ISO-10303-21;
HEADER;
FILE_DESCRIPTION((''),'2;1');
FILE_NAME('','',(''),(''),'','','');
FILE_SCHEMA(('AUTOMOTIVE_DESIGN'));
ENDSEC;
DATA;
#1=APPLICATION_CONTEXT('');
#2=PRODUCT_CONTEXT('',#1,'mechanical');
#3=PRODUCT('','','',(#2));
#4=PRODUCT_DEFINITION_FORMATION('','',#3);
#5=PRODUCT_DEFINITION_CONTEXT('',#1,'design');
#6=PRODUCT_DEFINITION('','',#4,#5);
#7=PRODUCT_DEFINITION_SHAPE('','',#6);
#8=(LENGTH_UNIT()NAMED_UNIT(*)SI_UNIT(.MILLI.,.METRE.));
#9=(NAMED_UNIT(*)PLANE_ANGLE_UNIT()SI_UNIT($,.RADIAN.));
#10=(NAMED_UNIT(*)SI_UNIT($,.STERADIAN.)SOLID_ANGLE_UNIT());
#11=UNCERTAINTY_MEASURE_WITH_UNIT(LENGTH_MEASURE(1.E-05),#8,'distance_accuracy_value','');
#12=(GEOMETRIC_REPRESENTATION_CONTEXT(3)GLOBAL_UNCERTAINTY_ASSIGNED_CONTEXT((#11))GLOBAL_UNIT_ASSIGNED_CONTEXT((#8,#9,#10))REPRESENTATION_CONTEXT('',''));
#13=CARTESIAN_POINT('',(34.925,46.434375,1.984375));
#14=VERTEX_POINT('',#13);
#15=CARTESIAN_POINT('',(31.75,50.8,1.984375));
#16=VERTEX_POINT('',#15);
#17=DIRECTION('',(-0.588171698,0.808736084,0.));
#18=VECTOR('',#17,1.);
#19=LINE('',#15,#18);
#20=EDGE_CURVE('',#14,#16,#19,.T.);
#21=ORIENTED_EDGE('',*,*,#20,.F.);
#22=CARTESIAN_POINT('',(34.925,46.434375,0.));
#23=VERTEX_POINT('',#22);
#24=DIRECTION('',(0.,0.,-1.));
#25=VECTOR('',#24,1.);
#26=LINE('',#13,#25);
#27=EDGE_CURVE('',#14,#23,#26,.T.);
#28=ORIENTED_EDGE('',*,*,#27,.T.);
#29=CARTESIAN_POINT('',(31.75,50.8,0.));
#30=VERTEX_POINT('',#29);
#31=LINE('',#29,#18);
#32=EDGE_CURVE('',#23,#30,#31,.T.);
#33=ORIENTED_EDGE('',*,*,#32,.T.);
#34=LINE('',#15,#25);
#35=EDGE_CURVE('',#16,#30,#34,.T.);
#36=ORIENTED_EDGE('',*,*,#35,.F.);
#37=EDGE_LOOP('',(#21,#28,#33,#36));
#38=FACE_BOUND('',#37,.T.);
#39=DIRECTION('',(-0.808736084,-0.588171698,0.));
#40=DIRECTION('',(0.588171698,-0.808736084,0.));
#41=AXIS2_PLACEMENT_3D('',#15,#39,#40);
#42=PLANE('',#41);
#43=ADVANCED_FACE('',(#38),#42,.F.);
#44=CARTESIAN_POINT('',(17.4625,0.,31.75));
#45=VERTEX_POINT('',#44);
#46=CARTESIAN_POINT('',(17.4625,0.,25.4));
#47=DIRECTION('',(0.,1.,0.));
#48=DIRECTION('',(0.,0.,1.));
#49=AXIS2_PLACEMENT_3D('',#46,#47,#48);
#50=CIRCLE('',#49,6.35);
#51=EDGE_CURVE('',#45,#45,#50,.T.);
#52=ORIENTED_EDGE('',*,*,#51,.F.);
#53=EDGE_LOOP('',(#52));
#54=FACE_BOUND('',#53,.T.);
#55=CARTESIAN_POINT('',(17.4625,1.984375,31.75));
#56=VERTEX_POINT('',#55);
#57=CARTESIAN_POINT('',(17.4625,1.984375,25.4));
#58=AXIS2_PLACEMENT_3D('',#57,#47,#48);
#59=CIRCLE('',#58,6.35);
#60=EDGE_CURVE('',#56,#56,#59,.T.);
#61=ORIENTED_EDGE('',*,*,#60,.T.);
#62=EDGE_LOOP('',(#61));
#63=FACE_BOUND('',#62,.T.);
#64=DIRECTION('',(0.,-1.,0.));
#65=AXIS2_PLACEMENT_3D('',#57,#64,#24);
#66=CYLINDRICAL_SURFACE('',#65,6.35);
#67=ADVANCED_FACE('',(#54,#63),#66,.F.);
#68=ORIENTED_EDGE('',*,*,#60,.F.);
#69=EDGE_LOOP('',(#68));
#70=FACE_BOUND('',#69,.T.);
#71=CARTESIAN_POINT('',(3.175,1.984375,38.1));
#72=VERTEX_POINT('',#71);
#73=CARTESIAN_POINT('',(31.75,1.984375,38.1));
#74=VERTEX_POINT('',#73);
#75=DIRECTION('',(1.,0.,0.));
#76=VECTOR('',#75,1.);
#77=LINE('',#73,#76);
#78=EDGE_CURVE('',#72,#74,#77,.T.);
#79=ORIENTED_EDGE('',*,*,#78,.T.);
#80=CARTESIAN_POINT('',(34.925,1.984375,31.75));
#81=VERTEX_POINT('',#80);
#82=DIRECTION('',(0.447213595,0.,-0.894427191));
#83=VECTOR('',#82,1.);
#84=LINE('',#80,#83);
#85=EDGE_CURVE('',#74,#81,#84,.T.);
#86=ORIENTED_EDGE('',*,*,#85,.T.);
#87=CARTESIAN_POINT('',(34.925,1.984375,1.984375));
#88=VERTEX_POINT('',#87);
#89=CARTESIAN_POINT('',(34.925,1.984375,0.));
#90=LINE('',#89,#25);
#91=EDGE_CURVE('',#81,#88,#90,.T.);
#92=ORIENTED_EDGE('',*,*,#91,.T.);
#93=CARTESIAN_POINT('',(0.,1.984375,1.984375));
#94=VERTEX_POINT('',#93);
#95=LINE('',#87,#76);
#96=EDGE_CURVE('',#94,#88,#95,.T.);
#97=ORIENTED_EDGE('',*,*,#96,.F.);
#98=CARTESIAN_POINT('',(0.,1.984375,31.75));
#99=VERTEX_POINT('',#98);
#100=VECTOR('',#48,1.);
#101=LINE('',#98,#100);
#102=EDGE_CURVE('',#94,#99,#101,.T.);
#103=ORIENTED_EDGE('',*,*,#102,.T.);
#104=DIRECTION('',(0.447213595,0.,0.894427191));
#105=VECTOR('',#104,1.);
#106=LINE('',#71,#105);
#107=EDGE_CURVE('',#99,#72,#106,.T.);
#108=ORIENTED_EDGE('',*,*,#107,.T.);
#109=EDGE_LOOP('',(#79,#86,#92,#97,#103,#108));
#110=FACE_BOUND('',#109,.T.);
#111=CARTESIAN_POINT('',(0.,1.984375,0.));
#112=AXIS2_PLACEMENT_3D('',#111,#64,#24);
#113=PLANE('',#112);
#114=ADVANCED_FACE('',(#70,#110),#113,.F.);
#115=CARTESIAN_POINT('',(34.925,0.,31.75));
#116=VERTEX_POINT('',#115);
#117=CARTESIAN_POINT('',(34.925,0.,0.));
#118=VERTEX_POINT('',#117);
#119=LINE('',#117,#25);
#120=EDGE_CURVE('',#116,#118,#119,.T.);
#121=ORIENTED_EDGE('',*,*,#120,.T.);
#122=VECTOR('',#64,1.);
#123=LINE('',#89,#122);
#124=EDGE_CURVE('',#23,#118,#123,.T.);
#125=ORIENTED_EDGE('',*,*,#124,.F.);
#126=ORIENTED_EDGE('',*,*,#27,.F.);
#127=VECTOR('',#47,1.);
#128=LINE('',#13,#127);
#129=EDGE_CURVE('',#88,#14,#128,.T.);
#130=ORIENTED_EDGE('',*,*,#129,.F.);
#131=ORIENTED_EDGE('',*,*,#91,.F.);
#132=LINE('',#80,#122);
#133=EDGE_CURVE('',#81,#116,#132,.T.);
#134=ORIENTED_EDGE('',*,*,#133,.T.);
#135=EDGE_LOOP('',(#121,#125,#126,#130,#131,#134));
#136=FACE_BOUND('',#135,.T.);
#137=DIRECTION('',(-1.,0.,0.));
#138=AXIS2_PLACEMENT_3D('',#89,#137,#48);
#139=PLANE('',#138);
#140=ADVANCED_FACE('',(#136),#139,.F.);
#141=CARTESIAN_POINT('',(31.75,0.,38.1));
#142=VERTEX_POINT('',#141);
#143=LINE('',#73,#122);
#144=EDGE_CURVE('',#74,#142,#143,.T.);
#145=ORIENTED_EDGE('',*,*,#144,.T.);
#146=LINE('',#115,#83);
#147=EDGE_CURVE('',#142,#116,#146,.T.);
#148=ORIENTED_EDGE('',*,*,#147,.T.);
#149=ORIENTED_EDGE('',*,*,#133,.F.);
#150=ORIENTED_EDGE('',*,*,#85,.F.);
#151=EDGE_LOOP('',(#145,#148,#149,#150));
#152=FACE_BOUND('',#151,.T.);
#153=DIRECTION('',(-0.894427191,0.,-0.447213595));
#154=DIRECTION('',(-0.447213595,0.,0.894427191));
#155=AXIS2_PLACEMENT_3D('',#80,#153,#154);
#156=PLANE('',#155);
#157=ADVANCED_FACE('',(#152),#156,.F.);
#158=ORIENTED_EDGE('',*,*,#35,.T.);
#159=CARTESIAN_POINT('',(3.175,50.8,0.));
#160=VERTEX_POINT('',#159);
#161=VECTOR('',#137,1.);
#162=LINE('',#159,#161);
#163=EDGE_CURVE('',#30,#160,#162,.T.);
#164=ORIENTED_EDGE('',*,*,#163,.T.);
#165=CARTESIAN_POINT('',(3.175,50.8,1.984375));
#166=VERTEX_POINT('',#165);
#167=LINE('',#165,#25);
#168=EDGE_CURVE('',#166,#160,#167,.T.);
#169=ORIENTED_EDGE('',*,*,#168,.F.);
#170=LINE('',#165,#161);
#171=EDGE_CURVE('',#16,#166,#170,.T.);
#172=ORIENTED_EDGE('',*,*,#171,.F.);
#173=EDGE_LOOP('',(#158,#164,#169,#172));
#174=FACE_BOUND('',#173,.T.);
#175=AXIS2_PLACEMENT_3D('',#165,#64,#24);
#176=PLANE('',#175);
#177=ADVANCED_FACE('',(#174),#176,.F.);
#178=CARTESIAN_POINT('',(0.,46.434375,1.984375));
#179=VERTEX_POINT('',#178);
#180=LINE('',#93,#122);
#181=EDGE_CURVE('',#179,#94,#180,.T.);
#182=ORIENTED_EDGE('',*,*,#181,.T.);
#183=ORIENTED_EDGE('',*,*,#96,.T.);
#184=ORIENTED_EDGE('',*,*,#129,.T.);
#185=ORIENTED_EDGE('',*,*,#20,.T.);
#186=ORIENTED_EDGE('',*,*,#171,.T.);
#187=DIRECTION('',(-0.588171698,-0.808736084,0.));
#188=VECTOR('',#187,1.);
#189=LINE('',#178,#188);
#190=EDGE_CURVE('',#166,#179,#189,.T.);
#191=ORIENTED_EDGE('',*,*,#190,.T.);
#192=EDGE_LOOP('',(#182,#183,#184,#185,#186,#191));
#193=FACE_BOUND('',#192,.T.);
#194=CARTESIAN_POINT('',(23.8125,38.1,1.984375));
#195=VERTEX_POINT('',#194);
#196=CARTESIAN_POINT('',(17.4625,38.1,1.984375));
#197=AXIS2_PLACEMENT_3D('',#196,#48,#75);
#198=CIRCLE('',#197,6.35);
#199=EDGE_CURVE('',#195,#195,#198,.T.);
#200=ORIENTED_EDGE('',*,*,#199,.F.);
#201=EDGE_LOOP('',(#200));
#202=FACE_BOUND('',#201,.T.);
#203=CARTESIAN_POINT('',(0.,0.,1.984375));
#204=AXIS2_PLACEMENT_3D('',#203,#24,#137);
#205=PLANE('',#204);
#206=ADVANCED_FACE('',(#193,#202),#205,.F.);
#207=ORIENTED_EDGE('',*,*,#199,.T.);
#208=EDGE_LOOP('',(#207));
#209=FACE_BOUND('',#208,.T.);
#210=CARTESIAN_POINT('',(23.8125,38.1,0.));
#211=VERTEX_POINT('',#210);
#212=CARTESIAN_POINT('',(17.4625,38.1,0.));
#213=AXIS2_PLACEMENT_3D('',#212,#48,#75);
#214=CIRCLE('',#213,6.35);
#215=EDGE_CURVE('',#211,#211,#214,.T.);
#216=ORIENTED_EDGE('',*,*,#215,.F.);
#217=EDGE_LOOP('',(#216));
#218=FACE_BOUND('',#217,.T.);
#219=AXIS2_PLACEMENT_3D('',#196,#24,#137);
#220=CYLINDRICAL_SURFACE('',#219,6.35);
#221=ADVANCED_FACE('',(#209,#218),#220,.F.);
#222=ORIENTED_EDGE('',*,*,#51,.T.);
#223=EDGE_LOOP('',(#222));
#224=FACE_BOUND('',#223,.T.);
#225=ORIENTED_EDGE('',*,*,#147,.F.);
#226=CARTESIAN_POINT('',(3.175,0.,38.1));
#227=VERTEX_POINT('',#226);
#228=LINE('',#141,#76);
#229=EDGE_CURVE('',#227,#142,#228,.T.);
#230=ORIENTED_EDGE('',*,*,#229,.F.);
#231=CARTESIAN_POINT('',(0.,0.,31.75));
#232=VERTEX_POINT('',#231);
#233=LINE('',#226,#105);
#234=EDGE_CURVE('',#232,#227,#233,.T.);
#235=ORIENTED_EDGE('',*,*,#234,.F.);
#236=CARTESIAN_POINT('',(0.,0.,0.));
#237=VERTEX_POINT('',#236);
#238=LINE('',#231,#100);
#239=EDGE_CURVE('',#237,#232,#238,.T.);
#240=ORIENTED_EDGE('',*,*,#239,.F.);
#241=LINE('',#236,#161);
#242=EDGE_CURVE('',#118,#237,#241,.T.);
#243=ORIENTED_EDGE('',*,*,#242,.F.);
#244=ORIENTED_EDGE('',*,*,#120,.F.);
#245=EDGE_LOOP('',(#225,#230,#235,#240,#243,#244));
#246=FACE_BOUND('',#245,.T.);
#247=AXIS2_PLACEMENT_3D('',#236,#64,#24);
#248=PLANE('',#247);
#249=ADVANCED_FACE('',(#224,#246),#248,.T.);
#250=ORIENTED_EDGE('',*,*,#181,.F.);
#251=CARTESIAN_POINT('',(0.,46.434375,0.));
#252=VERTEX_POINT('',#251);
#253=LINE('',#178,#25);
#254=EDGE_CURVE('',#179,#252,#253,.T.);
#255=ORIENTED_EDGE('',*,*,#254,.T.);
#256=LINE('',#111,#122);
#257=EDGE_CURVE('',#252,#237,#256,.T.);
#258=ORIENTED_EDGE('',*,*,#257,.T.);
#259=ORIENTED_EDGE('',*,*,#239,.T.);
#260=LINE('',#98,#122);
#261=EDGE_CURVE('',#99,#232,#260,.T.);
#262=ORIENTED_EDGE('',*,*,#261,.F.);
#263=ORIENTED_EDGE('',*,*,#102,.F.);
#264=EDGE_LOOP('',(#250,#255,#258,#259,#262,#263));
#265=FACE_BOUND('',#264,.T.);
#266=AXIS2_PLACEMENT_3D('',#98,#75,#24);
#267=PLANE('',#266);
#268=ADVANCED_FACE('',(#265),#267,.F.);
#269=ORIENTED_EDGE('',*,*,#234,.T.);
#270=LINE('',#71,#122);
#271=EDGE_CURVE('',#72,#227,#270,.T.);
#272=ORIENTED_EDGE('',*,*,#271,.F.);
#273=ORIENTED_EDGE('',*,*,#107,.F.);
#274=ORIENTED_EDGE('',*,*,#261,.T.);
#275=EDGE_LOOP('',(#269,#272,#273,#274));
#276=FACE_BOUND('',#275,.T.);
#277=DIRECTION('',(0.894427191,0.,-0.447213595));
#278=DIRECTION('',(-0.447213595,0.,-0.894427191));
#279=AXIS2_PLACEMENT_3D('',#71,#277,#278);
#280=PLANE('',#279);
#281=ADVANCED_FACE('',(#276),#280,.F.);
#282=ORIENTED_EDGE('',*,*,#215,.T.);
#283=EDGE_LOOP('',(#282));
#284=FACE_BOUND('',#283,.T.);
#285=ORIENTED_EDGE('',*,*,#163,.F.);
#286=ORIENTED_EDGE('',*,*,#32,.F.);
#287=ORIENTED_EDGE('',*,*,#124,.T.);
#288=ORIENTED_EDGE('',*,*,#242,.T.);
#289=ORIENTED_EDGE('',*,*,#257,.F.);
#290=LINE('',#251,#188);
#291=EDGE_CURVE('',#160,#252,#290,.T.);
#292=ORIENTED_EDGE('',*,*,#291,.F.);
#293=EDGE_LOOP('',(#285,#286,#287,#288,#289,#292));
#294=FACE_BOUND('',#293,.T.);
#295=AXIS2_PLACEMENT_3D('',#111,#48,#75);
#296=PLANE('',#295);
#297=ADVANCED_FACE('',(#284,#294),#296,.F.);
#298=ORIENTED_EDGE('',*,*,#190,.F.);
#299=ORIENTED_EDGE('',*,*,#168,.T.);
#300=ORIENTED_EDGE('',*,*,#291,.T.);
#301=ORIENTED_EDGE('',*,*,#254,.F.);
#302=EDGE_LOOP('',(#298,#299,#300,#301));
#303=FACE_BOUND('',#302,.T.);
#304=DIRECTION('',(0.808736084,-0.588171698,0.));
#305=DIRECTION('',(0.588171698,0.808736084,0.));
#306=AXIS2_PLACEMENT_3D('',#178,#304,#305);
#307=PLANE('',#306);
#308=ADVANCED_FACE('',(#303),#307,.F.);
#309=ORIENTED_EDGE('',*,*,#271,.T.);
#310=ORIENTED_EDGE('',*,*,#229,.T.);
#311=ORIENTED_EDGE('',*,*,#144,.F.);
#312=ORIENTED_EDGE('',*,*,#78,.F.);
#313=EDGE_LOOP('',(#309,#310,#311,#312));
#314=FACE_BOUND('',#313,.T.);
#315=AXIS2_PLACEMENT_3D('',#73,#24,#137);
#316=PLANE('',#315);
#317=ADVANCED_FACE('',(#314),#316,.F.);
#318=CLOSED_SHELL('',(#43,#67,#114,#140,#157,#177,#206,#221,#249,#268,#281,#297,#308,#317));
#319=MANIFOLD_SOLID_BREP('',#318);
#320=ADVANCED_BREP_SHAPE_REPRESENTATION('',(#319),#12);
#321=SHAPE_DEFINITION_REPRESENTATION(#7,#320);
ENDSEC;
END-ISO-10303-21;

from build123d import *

# Parameters (mm, degrees)
SKETCH1_R           = 6.35
BOSS_EXTRUDE1_DEPTH = 1.984375
SKETCH2_R           = 6.35
BOSS_EXTRUDE2_DEPTH = 1.984375


with BuildPart() as part:
    # Sketch1 → Boss-Extrude1 (new body)
    with BuildSketch(Plane(origin=(0, 0, 0), x_dir=(1, 0, 0), z_dir=(0, 1, 0))):
        Polygon((0, 0), (34.925, 0), (34.925, -31.75), (31.75, -38.1), (3.175, -38.1), (0, -31.75), align=None)
        with Locations(Location((17.4625, -25.4, 0), (0, 0, 270))):
            Circle(SKETCH1_R, mode=Mode.SUBTRACT)
    extrude(amount=BOSS_EXTRUDE1_DEPTH)

    # Sketch2 → Boss-Extrude2 (add)
    with BuildSketch(Plane.XY):
        Polygon((0, 1.984375), (0, 46.434375), (3.175, 50.8), (31.75, 50.8), (34.925, 46.434375), (34.925, 1.984375), align=None)
        with Locations((17.4625, 38.1)):
            Circle(SKETCH2_R, mode=Mode.SUBTRACT)
    extrude(amount=BOSS_EXTRUDE2_DEPTH)


solid = part.part
